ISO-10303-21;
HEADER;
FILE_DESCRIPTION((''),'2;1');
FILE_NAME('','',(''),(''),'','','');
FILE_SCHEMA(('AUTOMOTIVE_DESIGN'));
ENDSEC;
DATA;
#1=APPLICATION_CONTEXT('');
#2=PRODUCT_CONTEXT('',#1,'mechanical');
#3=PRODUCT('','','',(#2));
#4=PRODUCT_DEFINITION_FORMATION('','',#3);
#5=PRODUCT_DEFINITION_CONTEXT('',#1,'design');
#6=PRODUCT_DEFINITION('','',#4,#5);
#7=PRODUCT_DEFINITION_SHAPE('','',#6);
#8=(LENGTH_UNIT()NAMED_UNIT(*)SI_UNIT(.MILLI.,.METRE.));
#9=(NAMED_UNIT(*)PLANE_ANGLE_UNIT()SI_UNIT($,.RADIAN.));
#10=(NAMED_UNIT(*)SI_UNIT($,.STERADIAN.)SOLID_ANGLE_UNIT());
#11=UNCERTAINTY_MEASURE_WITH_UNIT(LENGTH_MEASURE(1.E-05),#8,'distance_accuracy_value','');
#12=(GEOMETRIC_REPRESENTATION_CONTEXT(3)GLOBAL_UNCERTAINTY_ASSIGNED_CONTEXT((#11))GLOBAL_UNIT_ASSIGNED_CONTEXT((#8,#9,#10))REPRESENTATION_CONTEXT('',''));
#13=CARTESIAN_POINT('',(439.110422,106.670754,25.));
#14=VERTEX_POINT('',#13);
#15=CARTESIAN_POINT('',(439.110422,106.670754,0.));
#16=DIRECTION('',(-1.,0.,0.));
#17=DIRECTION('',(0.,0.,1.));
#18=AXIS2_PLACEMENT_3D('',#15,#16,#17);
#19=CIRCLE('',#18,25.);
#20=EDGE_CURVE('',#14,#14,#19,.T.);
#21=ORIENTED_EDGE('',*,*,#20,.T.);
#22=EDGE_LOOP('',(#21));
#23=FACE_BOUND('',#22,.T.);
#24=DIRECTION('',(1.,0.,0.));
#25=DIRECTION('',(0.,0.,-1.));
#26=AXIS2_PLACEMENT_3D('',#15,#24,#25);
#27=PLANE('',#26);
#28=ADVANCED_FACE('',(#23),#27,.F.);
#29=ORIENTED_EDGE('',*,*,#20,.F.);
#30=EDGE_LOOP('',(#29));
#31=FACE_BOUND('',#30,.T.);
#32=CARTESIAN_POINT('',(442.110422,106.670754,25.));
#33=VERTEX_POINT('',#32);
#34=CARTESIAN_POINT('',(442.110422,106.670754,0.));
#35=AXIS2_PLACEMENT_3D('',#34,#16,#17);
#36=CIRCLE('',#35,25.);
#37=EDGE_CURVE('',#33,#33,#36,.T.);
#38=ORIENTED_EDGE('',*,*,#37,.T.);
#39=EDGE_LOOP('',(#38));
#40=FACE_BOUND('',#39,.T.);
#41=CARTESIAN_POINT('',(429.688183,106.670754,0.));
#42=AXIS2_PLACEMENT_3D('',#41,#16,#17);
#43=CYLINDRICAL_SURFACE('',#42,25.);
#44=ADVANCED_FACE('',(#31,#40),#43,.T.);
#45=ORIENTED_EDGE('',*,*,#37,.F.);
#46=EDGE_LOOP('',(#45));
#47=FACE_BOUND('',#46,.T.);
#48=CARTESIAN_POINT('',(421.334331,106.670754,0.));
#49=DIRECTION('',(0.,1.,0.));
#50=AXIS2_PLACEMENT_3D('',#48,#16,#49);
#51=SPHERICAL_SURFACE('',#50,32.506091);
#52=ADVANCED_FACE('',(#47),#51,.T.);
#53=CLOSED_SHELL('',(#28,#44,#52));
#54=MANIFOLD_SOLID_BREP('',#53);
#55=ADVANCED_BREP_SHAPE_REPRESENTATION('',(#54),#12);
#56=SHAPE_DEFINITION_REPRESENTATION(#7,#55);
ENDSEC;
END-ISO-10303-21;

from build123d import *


with BuildPart() as part:
    # 草图1 → 旋转1 (revolve)
    with BuildSketch(Plane.XY):
        with BuildLine():
            Line((439.11042213, 106.670754482), (439.11042213, 131.670754482))
            Line((439.11042213, 131.670754482), (442.11042213, 131.670754482))
            ThreePointArc((442.11042213, 131.670754482), (450.762170474, 120.478296804), (453.84042213, 106.670754482))
            Line((453.84042213, 106.670754482), (439.11042213, 106.670754482))
        make_face()
    revolve(axis=Axis((429.688182693, 106.670754482, 0), (1, 0, 0)))


solid = part.part
